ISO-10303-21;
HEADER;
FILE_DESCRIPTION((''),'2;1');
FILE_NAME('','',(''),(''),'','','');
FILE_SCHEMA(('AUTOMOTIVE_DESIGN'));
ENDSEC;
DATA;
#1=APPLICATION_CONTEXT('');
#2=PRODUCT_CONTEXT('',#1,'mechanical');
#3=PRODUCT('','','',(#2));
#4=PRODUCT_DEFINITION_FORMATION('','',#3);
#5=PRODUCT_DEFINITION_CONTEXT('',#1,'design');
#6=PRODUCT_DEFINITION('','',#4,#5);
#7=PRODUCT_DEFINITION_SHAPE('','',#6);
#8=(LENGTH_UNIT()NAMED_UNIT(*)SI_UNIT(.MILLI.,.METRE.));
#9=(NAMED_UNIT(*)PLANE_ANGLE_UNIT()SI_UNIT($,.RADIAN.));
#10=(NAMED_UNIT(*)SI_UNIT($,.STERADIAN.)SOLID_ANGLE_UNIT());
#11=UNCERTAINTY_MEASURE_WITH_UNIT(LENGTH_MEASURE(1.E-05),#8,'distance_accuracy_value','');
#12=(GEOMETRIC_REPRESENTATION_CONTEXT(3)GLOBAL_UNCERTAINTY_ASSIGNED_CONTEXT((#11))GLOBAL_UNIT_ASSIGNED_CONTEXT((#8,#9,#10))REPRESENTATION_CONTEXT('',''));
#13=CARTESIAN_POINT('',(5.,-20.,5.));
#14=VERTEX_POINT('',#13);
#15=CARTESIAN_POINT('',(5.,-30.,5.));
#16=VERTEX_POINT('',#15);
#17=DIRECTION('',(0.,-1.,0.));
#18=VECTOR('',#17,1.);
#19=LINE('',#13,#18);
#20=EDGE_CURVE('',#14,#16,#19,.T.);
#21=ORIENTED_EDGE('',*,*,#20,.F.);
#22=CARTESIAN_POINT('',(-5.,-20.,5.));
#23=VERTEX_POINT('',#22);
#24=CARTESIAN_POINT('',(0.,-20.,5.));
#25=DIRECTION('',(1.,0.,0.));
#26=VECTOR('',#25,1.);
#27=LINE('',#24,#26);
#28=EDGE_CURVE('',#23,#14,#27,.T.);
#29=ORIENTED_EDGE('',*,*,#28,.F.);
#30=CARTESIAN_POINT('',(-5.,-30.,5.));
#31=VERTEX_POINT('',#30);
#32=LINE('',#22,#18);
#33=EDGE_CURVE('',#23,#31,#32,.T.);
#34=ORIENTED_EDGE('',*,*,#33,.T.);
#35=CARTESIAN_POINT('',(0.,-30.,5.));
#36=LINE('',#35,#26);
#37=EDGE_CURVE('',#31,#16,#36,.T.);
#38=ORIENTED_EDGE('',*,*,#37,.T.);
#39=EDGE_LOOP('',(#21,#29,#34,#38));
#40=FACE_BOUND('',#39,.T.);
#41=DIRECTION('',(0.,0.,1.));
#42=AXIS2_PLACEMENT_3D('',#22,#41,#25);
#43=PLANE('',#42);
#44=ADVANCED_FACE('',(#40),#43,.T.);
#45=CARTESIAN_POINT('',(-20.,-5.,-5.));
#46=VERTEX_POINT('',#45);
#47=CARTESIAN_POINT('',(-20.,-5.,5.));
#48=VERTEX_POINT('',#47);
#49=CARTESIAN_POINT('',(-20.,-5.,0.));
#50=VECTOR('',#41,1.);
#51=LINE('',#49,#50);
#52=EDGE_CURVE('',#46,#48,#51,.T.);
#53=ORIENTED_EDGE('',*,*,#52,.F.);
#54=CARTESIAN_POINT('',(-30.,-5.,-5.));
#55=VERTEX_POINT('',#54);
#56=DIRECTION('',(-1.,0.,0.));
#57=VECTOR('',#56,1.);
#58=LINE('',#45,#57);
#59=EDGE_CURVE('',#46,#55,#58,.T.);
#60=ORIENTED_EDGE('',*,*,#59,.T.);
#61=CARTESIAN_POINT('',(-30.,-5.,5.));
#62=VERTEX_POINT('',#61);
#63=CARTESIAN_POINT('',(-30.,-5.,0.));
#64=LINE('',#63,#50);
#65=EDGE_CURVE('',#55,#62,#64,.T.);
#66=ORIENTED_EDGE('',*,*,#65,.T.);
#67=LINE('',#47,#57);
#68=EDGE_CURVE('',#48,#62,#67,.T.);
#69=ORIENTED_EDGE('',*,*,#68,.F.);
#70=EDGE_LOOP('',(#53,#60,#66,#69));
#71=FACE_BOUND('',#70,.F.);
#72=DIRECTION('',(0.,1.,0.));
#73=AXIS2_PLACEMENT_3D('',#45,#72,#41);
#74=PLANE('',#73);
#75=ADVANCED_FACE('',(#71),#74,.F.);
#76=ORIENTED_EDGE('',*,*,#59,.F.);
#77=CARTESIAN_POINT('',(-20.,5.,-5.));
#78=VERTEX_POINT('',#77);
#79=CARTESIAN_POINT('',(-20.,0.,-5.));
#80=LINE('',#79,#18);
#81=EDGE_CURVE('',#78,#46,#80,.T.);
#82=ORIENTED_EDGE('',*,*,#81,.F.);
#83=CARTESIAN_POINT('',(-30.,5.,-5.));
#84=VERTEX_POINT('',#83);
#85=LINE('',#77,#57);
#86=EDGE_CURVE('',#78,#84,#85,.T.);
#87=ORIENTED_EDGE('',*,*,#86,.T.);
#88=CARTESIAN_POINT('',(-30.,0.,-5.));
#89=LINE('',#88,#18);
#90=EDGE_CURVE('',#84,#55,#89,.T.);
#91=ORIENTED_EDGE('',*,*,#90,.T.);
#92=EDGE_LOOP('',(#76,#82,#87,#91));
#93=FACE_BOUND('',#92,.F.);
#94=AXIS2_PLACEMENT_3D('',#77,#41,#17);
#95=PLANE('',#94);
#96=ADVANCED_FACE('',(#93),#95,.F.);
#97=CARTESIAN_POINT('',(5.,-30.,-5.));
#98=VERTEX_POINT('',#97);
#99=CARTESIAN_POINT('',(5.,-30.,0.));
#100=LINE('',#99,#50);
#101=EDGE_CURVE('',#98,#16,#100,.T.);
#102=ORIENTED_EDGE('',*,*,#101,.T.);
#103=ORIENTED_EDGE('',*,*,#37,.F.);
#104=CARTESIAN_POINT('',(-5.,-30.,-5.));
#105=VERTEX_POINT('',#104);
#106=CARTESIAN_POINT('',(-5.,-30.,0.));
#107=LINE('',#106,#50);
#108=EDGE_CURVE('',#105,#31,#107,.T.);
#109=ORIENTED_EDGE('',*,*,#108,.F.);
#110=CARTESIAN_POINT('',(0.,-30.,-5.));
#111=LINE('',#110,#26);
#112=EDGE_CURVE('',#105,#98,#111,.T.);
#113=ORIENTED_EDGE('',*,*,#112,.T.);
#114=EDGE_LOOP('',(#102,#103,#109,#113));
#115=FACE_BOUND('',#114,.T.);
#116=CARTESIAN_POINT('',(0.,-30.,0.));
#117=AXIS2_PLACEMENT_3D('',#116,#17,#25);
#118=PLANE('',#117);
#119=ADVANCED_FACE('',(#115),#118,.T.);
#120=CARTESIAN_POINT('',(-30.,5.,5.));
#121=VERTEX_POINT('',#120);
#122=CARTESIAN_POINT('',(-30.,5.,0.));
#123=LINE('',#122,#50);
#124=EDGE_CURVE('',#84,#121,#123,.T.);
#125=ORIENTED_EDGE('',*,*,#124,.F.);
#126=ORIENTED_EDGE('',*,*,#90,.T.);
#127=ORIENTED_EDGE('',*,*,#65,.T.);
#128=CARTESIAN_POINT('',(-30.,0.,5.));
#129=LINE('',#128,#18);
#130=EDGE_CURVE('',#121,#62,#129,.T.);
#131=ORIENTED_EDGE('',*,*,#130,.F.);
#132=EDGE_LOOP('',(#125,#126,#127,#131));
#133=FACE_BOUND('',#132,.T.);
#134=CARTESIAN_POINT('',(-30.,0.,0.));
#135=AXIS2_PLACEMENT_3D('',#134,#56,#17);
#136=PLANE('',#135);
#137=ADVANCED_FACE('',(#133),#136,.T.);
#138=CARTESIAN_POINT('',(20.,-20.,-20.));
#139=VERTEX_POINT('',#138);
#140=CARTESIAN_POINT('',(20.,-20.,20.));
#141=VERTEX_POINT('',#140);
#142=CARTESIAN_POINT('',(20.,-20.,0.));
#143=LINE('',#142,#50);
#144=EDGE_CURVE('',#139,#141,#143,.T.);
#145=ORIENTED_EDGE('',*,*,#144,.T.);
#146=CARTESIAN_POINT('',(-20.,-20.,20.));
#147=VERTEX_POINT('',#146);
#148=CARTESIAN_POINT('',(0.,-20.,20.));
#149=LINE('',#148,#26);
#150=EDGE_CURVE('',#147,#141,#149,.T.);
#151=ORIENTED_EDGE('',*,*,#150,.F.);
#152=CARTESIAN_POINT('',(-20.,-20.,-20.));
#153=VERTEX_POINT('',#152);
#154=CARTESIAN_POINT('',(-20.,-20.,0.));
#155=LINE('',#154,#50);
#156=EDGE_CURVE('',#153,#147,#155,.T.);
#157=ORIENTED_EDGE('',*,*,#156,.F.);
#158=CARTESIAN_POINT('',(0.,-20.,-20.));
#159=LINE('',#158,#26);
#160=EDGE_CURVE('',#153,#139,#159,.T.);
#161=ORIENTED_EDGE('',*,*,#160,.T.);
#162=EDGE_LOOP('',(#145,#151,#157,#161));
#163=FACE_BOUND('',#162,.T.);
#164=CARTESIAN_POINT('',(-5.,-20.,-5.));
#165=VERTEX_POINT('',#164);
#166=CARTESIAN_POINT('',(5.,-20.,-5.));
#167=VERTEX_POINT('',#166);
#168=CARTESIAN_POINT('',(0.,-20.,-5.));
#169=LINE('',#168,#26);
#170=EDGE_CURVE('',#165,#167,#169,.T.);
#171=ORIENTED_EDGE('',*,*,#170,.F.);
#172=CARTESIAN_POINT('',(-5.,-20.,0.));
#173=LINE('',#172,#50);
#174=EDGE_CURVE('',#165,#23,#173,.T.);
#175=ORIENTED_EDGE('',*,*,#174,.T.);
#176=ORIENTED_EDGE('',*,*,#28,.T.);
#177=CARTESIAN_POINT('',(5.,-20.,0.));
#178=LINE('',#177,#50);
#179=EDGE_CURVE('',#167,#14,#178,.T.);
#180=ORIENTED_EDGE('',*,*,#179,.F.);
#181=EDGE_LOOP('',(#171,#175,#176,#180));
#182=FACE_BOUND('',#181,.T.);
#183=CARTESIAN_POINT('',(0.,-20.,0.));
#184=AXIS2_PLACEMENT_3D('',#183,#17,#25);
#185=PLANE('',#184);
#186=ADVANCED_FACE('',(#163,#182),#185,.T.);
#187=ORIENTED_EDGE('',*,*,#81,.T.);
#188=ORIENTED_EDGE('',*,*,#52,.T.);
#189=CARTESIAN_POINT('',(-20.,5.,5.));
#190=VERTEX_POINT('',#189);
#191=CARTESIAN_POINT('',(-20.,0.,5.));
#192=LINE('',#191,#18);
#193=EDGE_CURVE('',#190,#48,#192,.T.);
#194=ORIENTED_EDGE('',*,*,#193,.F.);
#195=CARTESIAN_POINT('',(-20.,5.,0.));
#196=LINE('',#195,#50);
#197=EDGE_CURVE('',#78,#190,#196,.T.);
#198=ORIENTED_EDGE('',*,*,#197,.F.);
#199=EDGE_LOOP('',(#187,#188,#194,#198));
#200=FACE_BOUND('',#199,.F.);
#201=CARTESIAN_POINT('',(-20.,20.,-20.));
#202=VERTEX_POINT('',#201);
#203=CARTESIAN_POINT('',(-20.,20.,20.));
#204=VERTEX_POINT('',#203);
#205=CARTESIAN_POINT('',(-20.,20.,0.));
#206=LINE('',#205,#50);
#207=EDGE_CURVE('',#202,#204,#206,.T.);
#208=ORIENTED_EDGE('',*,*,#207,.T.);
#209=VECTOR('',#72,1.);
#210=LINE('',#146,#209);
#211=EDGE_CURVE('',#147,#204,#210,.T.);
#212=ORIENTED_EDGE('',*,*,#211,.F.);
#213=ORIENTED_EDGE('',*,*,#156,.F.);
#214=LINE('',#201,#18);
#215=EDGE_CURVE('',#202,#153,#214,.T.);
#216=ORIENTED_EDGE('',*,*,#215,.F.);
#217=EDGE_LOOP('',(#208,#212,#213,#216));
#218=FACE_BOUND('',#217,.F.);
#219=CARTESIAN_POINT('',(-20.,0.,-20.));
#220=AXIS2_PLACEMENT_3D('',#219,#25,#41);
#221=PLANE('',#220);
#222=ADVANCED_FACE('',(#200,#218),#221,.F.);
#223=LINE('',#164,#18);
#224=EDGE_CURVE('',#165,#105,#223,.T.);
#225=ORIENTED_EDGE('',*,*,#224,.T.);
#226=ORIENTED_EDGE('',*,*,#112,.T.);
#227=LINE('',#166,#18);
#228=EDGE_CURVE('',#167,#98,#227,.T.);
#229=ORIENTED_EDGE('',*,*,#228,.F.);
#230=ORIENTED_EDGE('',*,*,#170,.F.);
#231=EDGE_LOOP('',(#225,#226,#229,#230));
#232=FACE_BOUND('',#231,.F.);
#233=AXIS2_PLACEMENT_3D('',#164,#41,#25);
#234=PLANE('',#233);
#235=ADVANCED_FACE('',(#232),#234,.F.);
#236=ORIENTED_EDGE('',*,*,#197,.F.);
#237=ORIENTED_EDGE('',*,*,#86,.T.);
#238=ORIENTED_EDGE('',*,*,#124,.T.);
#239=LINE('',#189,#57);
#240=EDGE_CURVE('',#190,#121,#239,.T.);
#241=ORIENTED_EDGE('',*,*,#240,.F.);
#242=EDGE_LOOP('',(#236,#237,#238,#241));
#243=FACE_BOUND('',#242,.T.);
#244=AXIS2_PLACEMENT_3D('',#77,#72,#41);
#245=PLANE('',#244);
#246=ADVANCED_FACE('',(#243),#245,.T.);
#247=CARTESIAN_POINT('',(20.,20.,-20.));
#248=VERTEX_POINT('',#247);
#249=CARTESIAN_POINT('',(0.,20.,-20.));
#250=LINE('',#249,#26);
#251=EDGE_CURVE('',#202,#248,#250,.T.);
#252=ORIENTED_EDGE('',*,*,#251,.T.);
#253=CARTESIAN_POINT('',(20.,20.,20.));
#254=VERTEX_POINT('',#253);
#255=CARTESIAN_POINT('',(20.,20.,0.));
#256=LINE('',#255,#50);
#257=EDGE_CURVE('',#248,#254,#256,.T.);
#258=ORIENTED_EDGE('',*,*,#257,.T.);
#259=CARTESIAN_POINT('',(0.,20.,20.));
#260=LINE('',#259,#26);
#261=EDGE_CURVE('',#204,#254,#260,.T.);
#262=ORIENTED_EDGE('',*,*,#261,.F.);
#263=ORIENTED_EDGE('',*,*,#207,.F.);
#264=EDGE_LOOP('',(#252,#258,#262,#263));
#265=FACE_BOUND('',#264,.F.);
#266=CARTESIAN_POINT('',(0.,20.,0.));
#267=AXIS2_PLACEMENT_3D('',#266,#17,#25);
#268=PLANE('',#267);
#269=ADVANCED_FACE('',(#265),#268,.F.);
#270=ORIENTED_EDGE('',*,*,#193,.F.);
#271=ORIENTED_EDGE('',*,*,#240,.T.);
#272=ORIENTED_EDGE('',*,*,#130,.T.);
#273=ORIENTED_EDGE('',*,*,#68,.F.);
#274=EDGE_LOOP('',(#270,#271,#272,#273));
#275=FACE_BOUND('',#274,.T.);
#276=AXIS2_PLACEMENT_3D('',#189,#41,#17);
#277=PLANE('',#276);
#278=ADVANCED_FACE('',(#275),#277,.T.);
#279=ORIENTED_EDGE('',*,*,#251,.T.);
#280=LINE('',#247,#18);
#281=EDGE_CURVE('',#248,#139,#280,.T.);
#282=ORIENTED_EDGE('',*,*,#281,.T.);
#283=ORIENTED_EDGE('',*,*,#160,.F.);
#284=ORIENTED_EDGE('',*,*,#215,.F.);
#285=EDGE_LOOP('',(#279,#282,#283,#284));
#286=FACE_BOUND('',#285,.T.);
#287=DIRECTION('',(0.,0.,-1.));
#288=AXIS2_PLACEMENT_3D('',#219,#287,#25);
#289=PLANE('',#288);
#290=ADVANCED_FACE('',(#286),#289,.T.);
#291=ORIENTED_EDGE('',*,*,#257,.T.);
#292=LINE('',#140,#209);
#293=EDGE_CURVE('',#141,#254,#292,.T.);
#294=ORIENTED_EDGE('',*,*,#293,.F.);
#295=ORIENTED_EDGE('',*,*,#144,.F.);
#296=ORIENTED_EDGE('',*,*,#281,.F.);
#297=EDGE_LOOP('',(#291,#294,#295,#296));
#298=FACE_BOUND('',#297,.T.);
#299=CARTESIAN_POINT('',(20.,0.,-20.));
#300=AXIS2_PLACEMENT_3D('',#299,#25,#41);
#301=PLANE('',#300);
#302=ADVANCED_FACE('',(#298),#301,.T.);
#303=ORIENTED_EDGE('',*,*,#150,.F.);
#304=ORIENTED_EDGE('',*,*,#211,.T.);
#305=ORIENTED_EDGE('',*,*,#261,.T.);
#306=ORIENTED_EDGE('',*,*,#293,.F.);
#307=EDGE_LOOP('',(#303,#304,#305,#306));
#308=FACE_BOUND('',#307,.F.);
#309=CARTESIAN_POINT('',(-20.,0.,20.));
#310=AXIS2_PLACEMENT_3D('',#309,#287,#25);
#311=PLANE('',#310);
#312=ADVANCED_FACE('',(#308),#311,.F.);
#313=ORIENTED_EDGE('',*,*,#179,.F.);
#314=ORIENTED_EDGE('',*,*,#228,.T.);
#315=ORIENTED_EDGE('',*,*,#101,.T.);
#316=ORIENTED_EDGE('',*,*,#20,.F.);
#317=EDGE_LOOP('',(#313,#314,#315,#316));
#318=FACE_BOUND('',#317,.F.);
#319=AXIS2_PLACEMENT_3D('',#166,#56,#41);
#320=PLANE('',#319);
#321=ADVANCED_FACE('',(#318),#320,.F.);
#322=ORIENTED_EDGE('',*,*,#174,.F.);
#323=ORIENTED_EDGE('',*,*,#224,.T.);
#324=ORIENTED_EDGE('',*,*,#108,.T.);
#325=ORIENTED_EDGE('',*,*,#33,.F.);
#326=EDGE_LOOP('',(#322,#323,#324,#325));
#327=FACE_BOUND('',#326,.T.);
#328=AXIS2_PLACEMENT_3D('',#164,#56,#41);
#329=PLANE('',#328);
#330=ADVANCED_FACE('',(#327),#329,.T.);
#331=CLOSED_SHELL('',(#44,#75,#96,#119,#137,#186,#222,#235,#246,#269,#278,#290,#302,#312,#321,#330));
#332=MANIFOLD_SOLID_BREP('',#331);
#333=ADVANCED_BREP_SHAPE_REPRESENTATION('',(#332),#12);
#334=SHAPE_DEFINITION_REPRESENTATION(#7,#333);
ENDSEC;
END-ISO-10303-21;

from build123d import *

# Parameters (mm, degrees)
F0_W     = 40
F0_H     = 40
F1_DEPTH = 20
F2_W     = 10
F2_H     = 10
F3_DEPTH = 10
F4_W     = 10
F4_H     = 10
F5_DEPTH = 10


with BuildPart() as f1:
    # F0 (on Front) → F1 (new body, symmetric)
    with BuildSketch(Plane.XZ):
        Rectangle(F0_W, F0_H)
    extrude(amount=F1_DEPTH, both=True)

    # F2 (on face) → F3 (join)
    with BuildSketch(Plane.XZ.offset(20)):
        Rectangle(F2_W, F2_H)
    extrude(amount=F3_DEPTH)

    # F4 (on face) → F5 (join)
    with BuildSketch(Plane(origin=(-20, 0, 0), x_dir=(0, -1, 0), z_dir=(-1, 0, 0))):
        Rectangle(F4_W, F4_H)
    extrude(amount=F5_DEPTH)


solid = f1.part
